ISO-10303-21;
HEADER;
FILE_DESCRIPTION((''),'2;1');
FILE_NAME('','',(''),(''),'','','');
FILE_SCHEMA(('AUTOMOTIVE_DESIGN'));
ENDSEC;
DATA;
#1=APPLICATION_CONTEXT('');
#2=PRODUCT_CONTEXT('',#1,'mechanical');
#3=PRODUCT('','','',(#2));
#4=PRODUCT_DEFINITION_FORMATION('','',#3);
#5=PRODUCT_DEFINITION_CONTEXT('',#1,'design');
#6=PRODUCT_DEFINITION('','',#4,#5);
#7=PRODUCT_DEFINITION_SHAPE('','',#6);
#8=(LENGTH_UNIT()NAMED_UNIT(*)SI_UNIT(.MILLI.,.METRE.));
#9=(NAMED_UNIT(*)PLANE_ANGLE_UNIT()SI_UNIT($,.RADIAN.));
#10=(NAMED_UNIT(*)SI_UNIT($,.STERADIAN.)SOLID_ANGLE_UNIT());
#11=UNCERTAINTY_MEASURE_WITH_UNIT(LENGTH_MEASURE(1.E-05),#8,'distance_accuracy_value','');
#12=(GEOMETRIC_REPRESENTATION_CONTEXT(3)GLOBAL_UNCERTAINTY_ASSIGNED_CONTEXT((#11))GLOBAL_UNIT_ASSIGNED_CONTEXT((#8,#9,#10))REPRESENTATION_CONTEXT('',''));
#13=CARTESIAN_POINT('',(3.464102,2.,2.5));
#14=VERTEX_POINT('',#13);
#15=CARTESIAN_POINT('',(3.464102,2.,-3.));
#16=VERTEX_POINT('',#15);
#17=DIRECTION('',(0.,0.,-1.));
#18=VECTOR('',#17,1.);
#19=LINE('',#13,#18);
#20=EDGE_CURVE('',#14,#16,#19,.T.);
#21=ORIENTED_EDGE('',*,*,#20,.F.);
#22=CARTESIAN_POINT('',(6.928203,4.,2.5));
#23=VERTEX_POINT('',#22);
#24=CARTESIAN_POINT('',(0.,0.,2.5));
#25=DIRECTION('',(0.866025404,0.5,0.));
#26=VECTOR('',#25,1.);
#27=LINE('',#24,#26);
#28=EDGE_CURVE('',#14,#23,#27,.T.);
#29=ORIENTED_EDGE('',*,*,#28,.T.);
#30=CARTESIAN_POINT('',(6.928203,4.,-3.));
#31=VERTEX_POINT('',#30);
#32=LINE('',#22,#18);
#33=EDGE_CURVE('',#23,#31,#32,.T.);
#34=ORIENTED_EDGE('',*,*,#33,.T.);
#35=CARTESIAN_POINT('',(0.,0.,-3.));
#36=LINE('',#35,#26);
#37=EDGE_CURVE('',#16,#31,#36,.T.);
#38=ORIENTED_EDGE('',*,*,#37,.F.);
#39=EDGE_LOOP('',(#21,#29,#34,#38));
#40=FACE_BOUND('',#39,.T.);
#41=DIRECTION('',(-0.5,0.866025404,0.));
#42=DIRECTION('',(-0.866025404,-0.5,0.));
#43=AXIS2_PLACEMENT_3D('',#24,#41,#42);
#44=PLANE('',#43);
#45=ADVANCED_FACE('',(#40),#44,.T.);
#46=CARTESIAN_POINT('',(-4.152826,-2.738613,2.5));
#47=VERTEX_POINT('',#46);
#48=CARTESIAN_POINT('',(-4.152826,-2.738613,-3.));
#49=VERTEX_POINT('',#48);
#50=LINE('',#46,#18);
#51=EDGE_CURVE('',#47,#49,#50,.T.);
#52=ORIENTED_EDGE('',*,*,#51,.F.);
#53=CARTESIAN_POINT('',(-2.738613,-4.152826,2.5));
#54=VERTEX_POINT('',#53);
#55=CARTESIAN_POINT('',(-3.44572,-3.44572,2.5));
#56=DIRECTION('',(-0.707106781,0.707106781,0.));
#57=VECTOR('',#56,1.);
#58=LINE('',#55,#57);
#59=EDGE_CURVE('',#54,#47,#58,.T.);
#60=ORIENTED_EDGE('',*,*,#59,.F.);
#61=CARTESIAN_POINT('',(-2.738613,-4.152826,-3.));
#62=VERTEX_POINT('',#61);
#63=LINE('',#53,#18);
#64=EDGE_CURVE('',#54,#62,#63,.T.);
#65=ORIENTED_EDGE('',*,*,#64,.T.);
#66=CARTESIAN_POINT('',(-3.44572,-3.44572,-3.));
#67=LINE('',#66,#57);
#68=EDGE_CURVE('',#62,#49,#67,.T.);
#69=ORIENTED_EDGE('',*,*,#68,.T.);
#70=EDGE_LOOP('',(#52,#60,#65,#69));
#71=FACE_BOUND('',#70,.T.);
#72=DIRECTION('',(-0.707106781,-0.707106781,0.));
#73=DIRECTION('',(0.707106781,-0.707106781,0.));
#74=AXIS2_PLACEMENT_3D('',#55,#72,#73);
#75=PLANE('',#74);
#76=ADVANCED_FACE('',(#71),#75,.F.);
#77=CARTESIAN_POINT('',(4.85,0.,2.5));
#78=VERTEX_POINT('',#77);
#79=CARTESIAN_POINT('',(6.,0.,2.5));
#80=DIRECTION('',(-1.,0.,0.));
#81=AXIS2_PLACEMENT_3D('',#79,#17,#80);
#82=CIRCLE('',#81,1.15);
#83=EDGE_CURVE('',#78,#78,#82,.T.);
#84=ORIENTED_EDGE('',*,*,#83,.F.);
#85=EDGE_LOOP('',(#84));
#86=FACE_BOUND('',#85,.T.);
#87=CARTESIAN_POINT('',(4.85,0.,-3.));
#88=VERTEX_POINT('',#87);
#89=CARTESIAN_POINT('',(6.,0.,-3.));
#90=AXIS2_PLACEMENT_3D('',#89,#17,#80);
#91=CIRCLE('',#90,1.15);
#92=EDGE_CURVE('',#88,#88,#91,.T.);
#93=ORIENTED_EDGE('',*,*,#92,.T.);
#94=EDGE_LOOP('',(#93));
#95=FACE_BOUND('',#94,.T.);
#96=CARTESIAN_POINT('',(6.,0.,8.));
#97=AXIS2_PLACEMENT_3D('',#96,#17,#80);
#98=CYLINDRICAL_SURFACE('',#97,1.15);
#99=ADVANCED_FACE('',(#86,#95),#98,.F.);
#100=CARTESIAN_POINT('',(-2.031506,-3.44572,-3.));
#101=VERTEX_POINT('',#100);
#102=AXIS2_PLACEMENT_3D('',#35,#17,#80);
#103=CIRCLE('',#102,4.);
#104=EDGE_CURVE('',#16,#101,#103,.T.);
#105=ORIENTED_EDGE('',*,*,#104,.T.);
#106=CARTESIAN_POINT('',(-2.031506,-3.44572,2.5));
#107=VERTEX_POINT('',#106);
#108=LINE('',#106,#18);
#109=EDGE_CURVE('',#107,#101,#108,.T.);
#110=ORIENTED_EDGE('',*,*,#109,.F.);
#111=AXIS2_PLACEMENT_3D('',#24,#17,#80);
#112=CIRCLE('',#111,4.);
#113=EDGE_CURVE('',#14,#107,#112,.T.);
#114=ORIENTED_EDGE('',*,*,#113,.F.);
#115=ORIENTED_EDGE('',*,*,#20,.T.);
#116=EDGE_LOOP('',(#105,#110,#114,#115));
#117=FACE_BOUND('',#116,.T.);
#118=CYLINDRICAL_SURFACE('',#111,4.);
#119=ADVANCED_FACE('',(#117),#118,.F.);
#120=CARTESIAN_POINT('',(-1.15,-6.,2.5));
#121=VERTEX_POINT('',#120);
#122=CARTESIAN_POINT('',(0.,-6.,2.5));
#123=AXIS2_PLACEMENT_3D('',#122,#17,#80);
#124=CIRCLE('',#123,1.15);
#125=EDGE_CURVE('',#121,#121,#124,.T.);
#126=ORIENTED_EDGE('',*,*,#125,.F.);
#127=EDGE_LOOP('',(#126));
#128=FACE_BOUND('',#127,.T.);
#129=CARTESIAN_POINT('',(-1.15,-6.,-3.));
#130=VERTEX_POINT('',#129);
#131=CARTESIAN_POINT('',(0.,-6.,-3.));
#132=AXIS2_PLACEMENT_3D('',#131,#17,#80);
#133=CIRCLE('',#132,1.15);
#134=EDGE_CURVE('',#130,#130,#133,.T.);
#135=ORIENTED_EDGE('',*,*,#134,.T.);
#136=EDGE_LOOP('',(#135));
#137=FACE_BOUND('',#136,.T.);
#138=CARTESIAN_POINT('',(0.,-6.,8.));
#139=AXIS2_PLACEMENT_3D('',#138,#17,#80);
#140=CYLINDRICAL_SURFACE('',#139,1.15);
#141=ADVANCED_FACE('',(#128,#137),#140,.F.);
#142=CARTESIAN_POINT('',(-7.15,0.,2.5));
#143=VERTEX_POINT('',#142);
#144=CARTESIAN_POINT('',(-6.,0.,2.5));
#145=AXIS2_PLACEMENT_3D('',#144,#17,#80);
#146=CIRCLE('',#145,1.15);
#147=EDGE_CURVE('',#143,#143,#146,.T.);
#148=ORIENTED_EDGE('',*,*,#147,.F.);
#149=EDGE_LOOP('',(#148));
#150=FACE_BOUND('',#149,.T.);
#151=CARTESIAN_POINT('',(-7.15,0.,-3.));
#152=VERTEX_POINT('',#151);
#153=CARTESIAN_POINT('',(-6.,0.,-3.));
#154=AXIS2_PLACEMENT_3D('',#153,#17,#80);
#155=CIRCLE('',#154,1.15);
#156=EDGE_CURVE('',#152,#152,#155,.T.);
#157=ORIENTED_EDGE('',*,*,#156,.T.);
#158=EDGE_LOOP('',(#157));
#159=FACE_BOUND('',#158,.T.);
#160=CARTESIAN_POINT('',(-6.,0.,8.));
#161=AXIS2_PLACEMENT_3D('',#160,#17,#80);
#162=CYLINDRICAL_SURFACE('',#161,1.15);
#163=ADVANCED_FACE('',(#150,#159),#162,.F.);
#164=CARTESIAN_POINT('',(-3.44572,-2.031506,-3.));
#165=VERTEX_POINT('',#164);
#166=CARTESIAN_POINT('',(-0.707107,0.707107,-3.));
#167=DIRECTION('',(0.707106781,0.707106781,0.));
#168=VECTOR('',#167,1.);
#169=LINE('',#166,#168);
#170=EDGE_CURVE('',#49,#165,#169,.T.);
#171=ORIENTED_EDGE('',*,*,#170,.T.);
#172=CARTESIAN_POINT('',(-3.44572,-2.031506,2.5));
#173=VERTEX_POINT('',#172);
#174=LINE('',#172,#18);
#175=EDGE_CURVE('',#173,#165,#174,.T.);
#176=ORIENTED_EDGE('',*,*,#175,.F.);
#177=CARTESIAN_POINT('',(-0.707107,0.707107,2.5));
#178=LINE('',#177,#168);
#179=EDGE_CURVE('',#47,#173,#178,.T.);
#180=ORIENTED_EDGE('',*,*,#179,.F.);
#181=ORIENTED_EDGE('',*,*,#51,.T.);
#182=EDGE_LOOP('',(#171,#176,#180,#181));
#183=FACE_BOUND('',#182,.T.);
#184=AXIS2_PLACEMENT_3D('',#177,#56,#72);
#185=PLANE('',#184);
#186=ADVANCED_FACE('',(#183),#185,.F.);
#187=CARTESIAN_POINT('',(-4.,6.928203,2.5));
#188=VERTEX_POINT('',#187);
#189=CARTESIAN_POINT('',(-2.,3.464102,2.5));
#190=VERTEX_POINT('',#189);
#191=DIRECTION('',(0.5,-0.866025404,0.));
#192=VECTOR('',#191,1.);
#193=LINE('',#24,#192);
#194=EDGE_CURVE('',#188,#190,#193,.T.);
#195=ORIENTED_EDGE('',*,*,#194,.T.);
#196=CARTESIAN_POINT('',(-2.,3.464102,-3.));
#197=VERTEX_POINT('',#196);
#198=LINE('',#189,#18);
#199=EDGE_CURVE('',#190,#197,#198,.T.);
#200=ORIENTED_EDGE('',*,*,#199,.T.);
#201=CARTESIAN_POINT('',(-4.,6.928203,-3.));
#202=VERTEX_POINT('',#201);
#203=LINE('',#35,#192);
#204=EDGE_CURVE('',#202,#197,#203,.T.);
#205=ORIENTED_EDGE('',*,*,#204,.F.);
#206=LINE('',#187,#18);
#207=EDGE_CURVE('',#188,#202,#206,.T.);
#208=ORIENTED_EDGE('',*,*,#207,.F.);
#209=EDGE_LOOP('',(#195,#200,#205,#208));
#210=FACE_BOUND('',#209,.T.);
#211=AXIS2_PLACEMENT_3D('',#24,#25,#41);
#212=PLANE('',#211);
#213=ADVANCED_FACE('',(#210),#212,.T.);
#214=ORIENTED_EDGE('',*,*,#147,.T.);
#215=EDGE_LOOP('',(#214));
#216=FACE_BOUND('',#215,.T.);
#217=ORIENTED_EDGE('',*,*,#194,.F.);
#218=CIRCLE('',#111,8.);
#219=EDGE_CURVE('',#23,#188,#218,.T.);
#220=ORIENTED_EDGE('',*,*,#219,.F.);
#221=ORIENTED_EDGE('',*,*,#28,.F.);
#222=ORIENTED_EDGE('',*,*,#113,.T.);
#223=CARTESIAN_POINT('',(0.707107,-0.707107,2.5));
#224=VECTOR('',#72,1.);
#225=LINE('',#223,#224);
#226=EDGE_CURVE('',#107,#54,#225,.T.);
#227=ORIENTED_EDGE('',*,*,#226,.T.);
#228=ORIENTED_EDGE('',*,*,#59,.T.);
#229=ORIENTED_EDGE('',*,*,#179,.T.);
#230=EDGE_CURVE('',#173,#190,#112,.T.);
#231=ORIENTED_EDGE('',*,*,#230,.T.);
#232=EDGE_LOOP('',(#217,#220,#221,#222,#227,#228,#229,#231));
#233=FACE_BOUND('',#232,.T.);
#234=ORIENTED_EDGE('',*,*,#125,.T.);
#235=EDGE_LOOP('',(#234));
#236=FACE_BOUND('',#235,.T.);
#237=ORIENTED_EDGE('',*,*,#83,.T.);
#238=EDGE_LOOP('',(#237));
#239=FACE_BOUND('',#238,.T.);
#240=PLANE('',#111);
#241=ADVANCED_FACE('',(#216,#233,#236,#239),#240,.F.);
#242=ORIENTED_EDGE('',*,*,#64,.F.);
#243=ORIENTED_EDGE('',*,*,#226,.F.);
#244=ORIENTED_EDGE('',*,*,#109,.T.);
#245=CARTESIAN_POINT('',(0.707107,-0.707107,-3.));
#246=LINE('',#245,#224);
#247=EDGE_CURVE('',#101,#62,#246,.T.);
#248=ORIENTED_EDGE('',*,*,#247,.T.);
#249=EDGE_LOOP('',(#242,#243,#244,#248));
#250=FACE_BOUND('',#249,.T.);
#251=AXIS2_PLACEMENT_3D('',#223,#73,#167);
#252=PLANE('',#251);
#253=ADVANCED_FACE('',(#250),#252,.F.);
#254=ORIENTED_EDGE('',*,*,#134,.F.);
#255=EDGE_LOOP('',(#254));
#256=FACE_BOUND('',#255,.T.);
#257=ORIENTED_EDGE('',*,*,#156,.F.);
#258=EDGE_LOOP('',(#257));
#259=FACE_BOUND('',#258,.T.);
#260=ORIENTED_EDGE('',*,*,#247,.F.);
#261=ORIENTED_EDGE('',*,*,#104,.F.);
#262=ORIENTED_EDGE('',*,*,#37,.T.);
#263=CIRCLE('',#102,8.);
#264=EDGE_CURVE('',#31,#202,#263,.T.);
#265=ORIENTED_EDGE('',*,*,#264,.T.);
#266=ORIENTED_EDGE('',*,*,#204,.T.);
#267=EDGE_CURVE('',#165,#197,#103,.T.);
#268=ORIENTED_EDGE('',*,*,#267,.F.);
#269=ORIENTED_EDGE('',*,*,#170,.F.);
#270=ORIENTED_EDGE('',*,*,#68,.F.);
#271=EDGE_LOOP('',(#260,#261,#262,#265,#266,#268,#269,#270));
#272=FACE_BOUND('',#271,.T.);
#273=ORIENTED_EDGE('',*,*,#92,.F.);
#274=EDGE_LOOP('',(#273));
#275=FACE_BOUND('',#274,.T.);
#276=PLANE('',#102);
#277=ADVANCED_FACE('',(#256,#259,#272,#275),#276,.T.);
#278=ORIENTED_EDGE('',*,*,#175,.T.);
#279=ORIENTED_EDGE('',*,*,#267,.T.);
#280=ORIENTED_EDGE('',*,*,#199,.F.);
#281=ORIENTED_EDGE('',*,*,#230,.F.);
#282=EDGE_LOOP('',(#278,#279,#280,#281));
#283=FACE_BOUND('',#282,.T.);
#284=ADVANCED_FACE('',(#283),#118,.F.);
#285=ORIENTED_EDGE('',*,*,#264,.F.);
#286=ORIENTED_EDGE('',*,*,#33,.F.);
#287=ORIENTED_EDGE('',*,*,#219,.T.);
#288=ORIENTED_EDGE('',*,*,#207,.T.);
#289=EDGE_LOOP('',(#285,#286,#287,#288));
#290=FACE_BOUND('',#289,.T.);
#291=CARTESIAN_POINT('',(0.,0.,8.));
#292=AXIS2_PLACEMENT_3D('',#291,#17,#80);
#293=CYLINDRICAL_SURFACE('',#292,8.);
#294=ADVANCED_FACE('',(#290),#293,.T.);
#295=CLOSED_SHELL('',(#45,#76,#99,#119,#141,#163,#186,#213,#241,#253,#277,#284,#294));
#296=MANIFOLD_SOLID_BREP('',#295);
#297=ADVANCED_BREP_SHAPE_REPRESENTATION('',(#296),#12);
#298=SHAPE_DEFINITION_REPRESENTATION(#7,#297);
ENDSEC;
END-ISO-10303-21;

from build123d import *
from build123d.topology import SkipClean

# Parameters (mm, degrees)
SKETCH1_R           = 1.15
BOSS_EXTRUDE1_DEPTH = 8
SKETCH4_R           = 8
SKETCH4_R_2         = 1.15
BOSS_EXTRUDE2_DEPTH = 3
CUT_EXTRUDE3_DEPTH  = 5.5
SKETCH6_R           = 42
CUT_EXTRUDE5_DEPTH  = 5.5
SKETCH5_R           = 1.15
CUT_EXTRUDE6_DEPTH  = 50.185871955


with BuildPart() as part:
    # Sketch1 → Boss-Extrude1 (new body)
    with BuildSketch(Plane.XY):
        with BuildLine():
            Line((0, -42), (0, -40))
            ThreePointArc((0, -40), (22.793187837, -20.077432085), (6.099520657, 5.176470588))
            ThreePointArc((6.099520657, 5.176470588), (7.259881704, -3.360672202), (0, -8))
            ThreePointArc((0, -8), (-8, 0), (0, 8))
            ThreePointArc((0, 8), (25, -17), (0, -42))
        make_face()
        with Locations((0, 6)):
            Circle(SKETCH1_R, mode=Mode.SUBTRACT)
        with Locations((-6, 0)):
            Circle(SKETCH1_R, mode=Mode.SUBTRACT)
        with Locations((0, -6)):
            Circle(SKETCH1_R, mode=Mode.SUBTRACT)
        with Locations((6, 0)):
            Circle(SKETCH1_R, mode=Mode.SUBTRACT)
    extrude(amount=BOSS_EXTRUDE1_DEPTH)

    # Sketch4 → Boss-Extrude2 (add)
    with SkipClean():  # the faces are left unmerged after this step: merging them gives an invalid solid
        with BuildSketch(Plane(origin=(0, 0, 0), x_dir=(-1, 0, 0), z_dir=(0, 0, -1))):
            Circle(SKETCH4_R)
            with Locations((0, 6)):
                Circle(SKETCH4_R_2, mode=Mode.SUBTRACT)
            with Locations((-6, 0)):
                Circle(SKETCH4_R_2, mode=Mode.SUBTRACT)
            with Locations((0, -6)):
                Circle(SKETCH4_R_2, mode=Mode.SUBTRACT)
            with Locations((6, 0)):
                Circle(SKETCH4_R_2, mode=Mode.SUBTRACT)
        extrude(amount=BOSS_EXTRUDE2_DEPTH)

    # Sketch3 → Cut-Extrude3 (cut)
    with SkipClean():  # the faces are left unmerged after this step: merging them gives an invalid solid
        with BuildSketch(Plane.XY.offset(8)):
            with BuildLine():
                Line((6, 2), (10, 2))
                Line((10, 2), (10, -2))
                Line((10, -2), (6, -2))
                ThreePointArc((6, -2), (4, 0), (6, 2))
            make_face()
            with BuildLine():
                Line((2, -6), (2, -10))
                Line((2, -10), (-2, -10))
                Line((-2, -10), (-2, -6))
                ThreePointArc((-2, -6), (0, -4), (2, -6))
            make_face()
            with BuildLine():
                Line((-6, -2), (-10, -2))
                Line((-10, -2), (-10, 2))
                Line((-10, 2), (-6, 2))
                ThreePointArc((-6, 2), (-4, 0), (-6, -2))
            make_face()
            with BuildLine():
                Line((-2, 6), (-2, 10))
                Line((-2, 10), (2, 10))
                Line((2, 10), (2, 6))
                ThreePointArc((2, 6), (0, 4), (-2, 6))
            make_face()
        extrude(amount=-CUT_EXTRUDE3_DEPTH, mode=Mode.SUBTRACT)

    # Sketch6 → Cut-Extrude5 (cut)
    with SkipClean():  # the faces are left unmerged after this step: merging them gives an invalid solid
        with BuildSketch(Plane.XY.offset(8)):
            Circle(SKETCH6_R)
        extrude(amount=-CUT_EXTRUDE5_DEPTH, mode=Mode.SUBTRACT)

    # Sketch5 → Cut-Extrude6 (cut, through all)
    with BuildSketch(Plane(origin=(0, 0, -3), x_dir=(-1, 0, 0), z_dir=(0, 0, -1))):
        with BuildLine():
            Line((-6.92820323, 4), (-3.464101615, 2))
            ThreePointArc((-3.464101615, 2), (-2.815501367, -2.84129408), (2.031506006, -3.445719569))
            Line((2.031506006, -3.445719569), (2.738612788, -4.15282635))
            Line((2.738612788, -4.15282635), (4.15282635, -2.738612788))
            Line((4.15282635, -2.738612788), (3.445719569, -2.031506006))
            ThreePointArc((3.445719569, -2.031506006), (3.868383537, 1.017648668), (2, 3.464101615))
            Line((2, 3.464101615), (4, 6.92820323))
            ThreePointArc((4, 6.92820323), (-2.070552361, 7.72740661), (-6.92820323, 4))
        make_face()
        with Locations((0, 6)):
            Circle(SKETCH5_R, mode=Mode.SUBTRACT)
    extrude(amount=-CUT_EXTRUDE6_DEPTH, mode=Mode.SUBTRACT)


with BuildPart() as cut_extrude6_kept_piece:
    # of the separate pieces the step leaves, the one the design keeps (cut_extrude6_pieces_kept)
    add(part.part.solids().sort_by_distance((-4, 6.92820323, -3))[0])


solid = cut_extrude6_kept_piece.part
